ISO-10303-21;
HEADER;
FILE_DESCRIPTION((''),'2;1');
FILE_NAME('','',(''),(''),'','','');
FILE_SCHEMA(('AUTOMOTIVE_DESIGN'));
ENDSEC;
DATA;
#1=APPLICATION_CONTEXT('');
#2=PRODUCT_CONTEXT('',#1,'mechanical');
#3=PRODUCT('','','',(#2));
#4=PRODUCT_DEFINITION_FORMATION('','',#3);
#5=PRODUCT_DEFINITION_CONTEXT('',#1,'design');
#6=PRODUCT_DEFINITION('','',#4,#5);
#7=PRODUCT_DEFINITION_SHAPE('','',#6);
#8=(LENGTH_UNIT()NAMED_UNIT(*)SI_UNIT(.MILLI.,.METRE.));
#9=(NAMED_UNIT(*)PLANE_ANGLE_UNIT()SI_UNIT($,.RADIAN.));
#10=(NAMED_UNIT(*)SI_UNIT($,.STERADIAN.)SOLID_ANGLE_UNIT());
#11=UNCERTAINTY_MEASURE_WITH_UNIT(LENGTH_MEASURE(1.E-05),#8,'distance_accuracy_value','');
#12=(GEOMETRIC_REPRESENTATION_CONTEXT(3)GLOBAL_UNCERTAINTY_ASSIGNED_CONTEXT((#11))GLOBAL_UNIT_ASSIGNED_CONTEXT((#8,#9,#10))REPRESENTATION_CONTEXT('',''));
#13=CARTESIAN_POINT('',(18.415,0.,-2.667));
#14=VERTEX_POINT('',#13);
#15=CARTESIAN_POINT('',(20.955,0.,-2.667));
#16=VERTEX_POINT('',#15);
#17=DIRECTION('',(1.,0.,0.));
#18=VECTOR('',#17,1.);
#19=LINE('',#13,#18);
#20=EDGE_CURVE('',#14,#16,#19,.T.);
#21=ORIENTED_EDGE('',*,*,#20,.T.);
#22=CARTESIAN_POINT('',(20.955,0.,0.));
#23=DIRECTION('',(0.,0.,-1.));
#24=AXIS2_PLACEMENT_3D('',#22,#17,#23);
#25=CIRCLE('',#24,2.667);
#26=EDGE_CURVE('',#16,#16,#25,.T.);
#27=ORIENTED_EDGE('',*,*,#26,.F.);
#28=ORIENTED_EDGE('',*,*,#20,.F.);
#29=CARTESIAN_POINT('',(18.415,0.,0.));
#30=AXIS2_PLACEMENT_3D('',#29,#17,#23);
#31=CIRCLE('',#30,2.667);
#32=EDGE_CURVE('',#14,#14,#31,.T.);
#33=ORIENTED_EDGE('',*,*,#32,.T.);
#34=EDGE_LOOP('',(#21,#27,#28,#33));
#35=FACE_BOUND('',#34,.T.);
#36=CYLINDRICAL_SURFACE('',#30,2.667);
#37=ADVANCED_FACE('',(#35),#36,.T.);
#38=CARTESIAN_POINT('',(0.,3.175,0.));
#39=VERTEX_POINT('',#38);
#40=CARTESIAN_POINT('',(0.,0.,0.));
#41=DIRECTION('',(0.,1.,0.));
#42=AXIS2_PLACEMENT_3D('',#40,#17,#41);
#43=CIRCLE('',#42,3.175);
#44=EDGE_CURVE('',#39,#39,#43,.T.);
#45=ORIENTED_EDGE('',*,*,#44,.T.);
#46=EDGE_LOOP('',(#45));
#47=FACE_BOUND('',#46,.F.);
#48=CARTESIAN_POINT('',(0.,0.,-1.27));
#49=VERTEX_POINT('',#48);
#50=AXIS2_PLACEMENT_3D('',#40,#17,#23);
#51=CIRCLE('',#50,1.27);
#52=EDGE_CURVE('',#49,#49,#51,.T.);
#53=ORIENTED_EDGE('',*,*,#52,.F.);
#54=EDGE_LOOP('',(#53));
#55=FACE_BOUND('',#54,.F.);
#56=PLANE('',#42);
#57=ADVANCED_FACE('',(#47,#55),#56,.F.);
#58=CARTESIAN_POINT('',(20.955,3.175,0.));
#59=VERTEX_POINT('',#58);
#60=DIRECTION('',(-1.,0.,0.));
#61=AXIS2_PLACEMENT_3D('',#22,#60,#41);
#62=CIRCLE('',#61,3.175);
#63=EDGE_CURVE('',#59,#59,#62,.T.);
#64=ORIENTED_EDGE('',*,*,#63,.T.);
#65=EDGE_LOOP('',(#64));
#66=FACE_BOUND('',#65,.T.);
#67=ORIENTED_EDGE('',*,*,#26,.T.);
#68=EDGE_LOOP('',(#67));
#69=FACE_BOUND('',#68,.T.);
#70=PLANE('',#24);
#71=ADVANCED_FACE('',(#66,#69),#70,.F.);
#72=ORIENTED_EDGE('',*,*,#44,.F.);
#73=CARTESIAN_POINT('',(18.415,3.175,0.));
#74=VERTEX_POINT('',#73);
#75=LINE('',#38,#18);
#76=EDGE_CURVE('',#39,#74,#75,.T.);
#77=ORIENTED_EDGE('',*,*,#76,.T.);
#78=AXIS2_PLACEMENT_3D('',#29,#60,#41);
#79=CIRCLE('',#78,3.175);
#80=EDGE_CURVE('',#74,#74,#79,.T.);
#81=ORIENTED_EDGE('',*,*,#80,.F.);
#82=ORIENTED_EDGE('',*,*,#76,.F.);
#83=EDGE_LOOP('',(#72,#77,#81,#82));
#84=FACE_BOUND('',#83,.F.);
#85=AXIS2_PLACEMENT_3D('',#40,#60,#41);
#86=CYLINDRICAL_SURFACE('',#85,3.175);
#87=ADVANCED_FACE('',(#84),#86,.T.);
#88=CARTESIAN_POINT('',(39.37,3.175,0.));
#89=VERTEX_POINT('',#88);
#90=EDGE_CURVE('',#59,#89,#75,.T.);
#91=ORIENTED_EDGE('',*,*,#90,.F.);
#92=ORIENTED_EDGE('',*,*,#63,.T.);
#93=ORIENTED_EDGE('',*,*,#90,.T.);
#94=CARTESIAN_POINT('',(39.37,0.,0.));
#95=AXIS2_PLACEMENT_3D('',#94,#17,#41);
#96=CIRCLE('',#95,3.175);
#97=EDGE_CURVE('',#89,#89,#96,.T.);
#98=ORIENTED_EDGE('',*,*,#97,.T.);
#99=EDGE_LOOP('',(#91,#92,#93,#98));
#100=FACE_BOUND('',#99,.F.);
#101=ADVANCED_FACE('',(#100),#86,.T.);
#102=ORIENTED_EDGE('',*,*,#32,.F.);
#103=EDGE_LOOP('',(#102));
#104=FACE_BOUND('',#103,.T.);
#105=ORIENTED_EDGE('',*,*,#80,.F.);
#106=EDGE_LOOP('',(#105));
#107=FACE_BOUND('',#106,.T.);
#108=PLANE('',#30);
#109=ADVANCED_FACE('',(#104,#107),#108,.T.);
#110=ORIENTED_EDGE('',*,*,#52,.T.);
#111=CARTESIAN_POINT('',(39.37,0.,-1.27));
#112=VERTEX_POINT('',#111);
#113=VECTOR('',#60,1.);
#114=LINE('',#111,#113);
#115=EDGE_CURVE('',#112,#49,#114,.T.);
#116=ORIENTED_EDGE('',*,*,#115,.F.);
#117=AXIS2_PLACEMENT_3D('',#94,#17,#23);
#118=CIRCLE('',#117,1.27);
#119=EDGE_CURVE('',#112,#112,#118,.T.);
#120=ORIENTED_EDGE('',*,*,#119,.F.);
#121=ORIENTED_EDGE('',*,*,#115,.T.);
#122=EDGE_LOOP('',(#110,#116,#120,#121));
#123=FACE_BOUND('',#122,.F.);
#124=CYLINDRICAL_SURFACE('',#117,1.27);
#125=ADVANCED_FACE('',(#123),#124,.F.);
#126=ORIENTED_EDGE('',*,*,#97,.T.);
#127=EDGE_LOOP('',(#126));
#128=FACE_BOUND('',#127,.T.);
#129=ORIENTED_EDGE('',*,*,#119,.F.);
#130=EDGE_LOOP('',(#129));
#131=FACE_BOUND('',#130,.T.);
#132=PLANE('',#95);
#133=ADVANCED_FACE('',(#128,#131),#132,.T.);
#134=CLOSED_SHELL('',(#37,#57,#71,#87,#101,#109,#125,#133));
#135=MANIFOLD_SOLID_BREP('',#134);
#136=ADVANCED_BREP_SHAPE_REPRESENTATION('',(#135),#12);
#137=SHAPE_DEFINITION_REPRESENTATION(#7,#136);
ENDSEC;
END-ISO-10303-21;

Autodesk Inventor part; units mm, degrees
ref_plane "YZ Plane" through (0, 0, 0) normal (1, 0, 0) x (0, 1, 0)
ref_plane "XZ Plane" through (0, 0, 0) normal (0, 1, 0) x (-1, 0, 0)
ref_plane "XY Plane" through (0, 0, 0) normal (0, 0, 1) x (1, 0, 0)
sketch "Sketch1" plane through (0, 0, 0) normal (1, 0, 0) x (0, 1, 0)
  circle A0 centre (0, 0) radius 3.175
  dimension "d0" = 6.35
extrude "Extrusion1" add sketch "Sketch1" along normal blind 39.37
sketch "Sketch2" plane through (39.37, 0, 0) normal (1, 0, 0) x (0, 0, -1)
  circle A0 centre (0, 0) radius 1.27
  dimension "d3" = 2.54
extrude "Extrusion2" cut sketch "Sketch2" against normal blind 39.37
thread "Thread1" size "4-40 UNC" class "2B" standard "ANSI Unified Screw Threads" full length
sketch "Sketch5" plane through (0, 0, 0) normal (0, 1, 0) x (-1, 0, 0)
  line L0 (0, 0) -> (-39.37, 0)
  line L1 (-39.37, 3.175) -> (-39.37, -3.175) projected
  line L2 (0, -3.175) -> (-39.37, -3.175) projected
  line L3 (-19.685, -3.175) -> (-18.415, -3.175)
  line L4 (-18.415, -3.175) -> (-18.415, -2.667)
  line L5 (-18.415, -2.667) -> (-20.955, -2.667)
  line L6 (-20.955, -2.667) -> (-20.955, -3.175)
  line L7 (-20.955, -3.175) -> (-19.685, -3.175)
  dimension "d11" = 1.27
  dimension "d12" = 0.508
  dimension "d13" = 2.54
revolve "Revolution1" cut sketch "Sketch5" angle 360 about axis through (0, 0, 0) along (1, 0, 0)
properties part number "clawholder"
